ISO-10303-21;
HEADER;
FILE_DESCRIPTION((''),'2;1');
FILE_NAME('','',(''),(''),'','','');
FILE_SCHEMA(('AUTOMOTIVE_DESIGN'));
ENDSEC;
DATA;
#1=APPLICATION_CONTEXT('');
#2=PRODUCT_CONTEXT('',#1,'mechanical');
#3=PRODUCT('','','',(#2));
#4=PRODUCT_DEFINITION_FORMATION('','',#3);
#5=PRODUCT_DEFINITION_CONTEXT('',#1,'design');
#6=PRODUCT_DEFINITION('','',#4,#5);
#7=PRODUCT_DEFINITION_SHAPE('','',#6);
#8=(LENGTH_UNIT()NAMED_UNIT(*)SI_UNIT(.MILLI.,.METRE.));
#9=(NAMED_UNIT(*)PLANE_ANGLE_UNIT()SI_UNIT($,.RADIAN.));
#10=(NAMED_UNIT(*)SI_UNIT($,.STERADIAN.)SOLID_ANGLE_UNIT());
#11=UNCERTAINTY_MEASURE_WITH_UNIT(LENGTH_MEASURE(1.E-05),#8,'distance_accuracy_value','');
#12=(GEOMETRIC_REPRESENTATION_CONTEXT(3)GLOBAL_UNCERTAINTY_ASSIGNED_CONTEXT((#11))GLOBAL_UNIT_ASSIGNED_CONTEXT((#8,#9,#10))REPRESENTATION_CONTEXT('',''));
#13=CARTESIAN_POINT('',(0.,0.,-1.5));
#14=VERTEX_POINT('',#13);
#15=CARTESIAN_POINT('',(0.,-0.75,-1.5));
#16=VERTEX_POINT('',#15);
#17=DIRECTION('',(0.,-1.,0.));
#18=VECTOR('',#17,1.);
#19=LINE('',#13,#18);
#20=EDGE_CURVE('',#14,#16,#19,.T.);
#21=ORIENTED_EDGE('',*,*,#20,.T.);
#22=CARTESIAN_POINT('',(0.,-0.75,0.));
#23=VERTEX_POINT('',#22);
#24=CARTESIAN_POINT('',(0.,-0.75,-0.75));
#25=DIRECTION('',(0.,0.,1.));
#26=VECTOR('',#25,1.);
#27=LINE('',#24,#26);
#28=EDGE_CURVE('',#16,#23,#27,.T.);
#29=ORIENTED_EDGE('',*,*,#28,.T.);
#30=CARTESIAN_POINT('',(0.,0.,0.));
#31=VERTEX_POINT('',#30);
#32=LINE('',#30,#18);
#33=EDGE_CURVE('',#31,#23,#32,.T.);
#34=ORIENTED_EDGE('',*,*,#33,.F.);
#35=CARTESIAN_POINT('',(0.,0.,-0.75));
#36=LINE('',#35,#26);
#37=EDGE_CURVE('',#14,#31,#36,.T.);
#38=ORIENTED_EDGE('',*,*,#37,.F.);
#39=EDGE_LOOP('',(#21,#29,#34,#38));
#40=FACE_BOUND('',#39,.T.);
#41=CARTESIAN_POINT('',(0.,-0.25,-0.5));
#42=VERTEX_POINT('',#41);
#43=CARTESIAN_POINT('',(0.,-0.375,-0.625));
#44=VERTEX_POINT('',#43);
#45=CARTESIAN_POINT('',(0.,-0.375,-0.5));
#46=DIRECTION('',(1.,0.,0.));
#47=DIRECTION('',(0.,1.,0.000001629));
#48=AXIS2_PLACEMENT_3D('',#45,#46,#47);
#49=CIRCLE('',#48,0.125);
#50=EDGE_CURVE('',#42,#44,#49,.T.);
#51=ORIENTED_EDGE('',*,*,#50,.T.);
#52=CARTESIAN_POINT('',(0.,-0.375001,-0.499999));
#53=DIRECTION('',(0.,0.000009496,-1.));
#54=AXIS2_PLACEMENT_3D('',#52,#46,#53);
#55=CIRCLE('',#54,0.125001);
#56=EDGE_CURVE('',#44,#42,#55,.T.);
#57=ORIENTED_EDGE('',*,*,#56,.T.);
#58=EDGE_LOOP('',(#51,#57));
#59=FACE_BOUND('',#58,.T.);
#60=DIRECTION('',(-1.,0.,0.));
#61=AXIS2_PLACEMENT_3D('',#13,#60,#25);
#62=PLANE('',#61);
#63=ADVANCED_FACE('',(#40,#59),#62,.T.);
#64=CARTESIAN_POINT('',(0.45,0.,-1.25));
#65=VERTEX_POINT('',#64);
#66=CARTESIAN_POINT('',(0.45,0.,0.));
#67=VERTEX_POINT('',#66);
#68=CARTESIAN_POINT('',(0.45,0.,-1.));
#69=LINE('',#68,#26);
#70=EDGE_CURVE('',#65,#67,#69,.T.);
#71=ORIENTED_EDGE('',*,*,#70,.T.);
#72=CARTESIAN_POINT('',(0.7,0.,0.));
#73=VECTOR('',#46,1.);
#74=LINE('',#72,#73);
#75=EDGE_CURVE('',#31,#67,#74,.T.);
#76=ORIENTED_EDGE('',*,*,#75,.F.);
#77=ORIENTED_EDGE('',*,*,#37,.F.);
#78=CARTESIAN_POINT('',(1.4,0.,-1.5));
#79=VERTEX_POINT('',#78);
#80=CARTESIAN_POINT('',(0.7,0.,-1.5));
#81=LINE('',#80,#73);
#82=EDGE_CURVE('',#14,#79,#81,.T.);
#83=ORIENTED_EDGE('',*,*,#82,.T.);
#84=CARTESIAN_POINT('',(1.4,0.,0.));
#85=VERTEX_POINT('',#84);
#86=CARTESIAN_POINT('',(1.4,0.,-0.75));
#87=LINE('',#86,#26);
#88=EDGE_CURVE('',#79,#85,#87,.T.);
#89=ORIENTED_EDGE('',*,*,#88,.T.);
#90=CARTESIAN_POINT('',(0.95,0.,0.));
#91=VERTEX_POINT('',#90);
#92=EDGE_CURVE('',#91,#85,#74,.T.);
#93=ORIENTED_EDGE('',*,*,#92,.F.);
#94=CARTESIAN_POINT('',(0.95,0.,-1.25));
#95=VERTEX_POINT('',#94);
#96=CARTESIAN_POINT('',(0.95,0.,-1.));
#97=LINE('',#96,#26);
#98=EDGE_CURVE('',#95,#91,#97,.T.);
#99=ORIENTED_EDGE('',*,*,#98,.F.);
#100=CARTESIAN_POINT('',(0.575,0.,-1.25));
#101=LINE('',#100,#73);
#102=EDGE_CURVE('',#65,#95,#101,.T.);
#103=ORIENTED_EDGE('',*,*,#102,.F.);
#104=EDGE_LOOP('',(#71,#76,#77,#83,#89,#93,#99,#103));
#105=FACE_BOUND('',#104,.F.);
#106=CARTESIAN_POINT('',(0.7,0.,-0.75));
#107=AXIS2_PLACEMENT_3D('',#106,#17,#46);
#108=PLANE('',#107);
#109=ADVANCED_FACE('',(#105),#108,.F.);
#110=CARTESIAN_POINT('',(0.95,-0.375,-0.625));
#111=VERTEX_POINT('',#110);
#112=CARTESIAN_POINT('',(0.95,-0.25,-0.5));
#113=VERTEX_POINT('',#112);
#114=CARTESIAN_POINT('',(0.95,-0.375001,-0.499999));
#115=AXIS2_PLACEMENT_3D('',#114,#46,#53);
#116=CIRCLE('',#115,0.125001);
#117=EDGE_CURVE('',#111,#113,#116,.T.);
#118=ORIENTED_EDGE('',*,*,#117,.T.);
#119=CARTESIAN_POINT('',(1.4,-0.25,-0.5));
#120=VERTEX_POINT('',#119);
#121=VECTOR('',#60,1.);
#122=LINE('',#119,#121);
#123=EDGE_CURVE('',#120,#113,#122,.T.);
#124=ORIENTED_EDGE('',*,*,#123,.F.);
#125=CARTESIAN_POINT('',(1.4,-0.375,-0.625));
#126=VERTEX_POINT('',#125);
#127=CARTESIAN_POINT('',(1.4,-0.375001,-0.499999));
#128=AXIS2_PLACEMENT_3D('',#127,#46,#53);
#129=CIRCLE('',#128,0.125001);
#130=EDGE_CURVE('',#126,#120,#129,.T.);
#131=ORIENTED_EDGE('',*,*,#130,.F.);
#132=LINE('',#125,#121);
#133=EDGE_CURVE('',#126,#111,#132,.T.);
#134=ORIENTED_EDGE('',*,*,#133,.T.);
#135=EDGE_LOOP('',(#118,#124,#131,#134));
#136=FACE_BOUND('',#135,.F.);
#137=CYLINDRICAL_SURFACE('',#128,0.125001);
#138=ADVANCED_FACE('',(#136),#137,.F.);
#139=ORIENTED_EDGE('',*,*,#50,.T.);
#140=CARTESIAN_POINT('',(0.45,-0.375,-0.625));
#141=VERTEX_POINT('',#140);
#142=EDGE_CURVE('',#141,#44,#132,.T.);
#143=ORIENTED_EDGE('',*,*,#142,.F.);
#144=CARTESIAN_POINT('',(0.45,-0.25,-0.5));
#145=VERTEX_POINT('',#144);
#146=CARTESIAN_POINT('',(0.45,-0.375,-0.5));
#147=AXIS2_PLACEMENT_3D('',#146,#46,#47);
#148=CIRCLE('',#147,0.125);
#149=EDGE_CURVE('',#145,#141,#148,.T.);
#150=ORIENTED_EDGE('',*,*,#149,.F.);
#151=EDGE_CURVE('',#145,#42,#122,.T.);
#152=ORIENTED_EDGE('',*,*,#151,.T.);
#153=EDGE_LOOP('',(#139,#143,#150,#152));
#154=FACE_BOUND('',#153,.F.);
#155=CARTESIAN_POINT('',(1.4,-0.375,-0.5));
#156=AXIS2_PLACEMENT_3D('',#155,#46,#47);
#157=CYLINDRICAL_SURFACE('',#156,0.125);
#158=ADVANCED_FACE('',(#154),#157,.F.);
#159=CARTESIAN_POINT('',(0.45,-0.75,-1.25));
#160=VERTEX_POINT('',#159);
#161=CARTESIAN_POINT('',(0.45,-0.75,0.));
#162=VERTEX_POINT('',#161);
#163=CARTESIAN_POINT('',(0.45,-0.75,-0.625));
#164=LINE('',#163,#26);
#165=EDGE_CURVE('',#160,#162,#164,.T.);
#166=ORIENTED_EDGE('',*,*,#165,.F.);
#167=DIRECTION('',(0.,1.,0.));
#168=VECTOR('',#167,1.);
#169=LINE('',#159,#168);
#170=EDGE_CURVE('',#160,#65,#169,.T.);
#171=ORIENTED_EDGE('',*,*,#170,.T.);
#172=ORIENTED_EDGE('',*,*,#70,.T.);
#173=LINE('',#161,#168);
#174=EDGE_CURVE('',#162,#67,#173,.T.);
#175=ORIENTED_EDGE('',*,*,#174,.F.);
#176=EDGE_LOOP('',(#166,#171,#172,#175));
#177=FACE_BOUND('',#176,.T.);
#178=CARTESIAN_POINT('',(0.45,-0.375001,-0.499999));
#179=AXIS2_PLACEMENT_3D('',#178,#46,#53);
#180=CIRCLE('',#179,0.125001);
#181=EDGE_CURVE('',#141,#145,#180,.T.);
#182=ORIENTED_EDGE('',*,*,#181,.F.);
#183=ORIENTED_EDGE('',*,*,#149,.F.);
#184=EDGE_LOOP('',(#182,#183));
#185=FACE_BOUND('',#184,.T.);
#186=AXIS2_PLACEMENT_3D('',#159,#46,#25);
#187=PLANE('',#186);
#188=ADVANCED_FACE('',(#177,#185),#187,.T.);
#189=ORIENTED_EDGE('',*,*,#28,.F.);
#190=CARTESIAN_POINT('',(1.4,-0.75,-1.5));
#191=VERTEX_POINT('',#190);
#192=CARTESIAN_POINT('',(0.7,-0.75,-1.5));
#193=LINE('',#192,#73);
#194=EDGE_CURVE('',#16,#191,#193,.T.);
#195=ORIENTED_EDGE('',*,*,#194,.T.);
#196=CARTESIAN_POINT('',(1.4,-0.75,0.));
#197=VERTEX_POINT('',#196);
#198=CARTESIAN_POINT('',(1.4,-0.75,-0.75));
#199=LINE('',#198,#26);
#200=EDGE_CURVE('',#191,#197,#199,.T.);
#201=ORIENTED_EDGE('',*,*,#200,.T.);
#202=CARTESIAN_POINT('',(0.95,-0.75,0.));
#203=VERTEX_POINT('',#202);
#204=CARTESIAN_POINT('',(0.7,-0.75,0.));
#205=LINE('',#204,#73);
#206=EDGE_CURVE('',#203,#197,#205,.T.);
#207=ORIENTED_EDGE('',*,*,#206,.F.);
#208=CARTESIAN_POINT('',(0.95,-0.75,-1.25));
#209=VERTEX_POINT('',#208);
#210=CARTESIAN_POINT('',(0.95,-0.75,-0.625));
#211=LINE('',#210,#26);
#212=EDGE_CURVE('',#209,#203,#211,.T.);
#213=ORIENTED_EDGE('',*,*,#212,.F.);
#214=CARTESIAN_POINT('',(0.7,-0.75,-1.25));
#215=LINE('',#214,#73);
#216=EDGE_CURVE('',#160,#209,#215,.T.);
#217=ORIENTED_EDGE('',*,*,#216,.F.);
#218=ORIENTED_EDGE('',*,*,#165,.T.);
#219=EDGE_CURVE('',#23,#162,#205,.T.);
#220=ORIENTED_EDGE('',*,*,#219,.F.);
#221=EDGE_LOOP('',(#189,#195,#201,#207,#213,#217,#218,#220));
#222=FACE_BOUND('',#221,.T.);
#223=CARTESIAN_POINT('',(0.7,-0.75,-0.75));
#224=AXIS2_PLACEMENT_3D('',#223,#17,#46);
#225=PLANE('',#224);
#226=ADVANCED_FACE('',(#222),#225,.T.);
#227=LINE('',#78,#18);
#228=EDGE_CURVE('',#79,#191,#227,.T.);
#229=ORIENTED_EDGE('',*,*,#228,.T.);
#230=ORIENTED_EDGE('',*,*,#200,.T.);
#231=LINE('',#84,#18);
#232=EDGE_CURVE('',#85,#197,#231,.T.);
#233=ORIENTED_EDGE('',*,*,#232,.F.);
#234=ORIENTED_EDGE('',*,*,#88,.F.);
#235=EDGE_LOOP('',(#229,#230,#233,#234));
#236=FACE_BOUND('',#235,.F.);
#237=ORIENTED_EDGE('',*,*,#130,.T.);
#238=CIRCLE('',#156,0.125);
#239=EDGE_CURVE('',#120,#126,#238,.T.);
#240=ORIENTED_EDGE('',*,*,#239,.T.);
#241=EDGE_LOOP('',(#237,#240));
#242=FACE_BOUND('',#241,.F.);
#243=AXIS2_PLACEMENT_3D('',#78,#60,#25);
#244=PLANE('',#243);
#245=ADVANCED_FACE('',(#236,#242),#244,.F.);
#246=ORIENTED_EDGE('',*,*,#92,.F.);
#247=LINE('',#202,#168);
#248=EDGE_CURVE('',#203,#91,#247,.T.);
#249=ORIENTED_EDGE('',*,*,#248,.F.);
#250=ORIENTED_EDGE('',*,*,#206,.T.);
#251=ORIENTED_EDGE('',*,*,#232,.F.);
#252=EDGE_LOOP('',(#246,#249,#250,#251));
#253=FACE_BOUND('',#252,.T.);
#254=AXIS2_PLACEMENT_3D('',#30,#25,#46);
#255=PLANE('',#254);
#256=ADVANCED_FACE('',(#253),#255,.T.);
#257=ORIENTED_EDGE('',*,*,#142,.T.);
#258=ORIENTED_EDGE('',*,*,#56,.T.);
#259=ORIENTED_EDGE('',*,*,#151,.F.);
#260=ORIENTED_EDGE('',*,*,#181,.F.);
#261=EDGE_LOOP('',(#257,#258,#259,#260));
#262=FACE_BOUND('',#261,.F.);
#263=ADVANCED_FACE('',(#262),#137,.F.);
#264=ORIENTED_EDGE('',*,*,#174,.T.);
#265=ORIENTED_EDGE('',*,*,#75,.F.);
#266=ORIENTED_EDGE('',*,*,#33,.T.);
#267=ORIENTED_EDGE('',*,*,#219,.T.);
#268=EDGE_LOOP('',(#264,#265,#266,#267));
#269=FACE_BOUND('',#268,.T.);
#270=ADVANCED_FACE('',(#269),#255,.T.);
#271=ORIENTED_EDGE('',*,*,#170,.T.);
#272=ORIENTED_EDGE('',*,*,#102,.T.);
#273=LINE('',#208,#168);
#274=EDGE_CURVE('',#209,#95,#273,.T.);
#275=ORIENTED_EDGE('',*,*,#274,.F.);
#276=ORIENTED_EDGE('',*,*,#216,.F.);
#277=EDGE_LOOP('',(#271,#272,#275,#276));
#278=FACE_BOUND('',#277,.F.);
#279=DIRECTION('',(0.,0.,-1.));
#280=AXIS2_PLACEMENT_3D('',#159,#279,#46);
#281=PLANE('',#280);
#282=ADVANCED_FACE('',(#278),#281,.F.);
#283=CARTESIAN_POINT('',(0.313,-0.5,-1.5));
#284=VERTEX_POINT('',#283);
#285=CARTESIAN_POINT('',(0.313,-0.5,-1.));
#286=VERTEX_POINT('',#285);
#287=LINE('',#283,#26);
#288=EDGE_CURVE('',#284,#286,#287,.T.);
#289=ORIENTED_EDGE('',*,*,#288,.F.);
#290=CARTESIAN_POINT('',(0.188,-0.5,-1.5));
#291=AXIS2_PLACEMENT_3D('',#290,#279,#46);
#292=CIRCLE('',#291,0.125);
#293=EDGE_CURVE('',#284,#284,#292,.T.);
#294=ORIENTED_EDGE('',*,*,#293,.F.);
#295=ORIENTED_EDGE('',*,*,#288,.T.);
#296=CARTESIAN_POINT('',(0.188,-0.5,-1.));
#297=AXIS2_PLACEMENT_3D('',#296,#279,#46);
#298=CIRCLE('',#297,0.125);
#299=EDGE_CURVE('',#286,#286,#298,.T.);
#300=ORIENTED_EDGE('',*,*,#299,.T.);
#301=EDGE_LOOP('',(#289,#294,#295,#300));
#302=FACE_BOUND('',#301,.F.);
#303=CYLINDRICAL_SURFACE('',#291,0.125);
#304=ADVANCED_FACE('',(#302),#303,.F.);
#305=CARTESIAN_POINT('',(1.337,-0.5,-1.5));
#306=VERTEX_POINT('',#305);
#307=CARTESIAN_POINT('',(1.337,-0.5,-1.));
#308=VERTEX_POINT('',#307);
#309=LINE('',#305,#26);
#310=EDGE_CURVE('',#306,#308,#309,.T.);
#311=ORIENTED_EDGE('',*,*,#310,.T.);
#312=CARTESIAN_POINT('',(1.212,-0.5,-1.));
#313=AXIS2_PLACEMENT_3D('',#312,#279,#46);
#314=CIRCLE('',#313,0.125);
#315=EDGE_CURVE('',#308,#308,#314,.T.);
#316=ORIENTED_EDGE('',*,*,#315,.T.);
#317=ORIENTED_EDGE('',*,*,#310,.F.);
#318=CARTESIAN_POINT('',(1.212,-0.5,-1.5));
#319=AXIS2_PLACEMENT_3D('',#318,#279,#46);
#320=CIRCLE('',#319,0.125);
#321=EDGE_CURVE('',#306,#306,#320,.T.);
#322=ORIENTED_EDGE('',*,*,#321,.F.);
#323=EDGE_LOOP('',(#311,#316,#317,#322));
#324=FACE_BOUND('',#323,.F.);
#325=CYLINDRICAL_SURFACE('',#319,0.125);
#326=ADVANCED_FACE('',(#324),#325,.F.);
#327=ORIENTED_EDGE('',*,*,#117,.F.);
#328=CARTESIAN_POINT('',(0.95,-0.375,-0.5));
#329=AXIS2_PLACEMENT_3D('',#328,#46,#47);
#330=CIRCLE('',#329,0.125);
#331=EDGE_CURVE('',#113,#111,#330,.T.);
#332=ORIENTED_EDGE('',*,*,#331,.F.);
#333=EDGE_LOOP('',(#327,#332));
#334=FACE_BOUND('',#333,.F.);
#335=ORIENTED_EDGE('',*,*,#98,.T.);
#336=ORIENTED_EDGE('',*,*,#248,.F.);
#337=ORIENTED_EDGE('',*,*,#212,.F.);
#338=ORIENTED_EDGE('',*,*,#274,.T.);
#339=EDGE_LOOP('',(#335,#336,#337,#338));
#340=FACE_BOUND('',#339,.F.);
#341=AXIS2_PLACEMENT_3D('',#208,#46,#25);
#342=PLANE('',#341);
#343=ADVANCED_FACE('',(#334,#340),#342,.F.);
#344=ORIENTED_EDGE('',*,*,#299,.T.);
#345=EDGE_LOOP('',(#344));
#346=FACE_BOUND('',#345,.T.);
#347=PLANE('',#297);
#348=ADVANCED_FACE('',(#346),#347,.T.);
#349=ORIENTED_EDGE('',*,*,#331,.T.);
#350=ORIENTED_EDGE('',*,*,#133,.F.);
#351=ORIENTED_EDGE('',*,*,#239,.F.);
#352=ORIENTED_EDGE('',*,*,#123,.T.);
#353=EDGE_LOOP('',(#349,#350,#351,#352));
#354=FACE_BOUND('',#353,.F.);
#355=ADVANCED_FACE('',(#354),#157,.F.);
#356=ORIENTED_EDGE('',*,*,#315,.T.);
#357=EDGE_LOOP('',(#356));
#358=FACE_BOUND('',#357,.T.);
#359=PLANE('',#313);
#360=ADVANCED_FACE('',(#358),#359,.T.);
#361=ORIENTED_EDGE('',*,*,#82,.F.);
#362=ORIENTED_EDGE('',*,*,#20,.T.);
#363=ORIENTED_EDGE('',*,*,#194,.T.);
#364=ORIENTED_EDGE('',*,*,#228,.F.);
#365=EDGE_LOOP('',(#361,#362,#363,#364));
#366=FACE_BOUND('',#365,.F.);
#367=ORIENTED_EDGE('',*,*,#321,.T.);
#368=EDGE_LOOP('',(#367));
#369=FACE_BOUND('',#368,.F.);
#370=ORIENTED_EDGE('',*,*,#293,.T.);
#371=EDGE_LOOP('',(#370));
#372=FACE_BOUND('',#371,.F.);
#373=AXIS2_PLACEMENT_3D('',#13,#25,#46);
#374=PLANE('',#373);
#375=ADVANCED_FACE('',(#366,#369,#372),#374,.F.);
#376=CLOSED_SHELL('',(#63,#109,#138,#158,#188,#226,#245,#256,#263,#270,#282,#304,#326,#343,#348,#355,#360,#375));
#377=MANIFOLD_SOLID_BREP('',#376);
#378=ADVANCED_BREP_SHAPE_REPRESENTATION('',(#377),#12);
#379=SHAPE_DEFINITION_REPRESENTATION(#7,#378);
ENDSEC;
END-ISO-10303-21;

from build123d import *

# Parameters (mm, degrees)
F0_W     = 1.4
F0_H     = 1.5
F1_DEPTH = 0.75
F3_DEPTH = 25
F4_W     = 0.5
F4_H     = 1.25
F5_DEPTH = 25
F6_R     = 0.125
F7_DEPTH = 0.5


with BuildPart() as f1:
    # F0 (on Front) → F1 (new body)
    with BuildSketch(Plane.XZ):
        with Locations((0.7, -0.75)):
            Rectangle(F0_W, F0_H)
    extrude(amount=F1_DEPTH)

    # F2 (on face) → F3 (cut)
    with BuildSketch(Plane.YZ.offset(1.4)):
        with BuildLine():
            ThreePointArc((-0.375, -0.625), (-0.286612, -0.588388), (-0.25, -0.5))
            ThreePointArc((-0.25, -0.5), (-0.463388, -0.411612), (-0.375, -0.625))
        make_face()
    extrude(amount=-F3_DEPTH, mode=Mode.SUBTRACT)

    # F4 (on face) → F5 (cut)
    with BuildSketch(Plane.XZ.offset(0.75)):
        with Locations((0.7, -0.625)):
            Rectangle(F4_W, F4_H)
    extrude(amount=-F5_DEPTH, mode=Mode.SUBTRACT)

    # F6 (on face) → F7 (cut)
    with BuildSketch(Plane(origin=(0, 0, -1.5), x_dir=(1, 0, 0), z_dir=(0, 0, -1))):
        with Locations((0.188, 0.5)):
            Circle(F6_R)
        with Locations((1.212, 0.5)):
            Circle(F6_R)
    extrude(amount=-F7_DEPTH, mode=Mode.SUBTRACT)


solid = f1.part
